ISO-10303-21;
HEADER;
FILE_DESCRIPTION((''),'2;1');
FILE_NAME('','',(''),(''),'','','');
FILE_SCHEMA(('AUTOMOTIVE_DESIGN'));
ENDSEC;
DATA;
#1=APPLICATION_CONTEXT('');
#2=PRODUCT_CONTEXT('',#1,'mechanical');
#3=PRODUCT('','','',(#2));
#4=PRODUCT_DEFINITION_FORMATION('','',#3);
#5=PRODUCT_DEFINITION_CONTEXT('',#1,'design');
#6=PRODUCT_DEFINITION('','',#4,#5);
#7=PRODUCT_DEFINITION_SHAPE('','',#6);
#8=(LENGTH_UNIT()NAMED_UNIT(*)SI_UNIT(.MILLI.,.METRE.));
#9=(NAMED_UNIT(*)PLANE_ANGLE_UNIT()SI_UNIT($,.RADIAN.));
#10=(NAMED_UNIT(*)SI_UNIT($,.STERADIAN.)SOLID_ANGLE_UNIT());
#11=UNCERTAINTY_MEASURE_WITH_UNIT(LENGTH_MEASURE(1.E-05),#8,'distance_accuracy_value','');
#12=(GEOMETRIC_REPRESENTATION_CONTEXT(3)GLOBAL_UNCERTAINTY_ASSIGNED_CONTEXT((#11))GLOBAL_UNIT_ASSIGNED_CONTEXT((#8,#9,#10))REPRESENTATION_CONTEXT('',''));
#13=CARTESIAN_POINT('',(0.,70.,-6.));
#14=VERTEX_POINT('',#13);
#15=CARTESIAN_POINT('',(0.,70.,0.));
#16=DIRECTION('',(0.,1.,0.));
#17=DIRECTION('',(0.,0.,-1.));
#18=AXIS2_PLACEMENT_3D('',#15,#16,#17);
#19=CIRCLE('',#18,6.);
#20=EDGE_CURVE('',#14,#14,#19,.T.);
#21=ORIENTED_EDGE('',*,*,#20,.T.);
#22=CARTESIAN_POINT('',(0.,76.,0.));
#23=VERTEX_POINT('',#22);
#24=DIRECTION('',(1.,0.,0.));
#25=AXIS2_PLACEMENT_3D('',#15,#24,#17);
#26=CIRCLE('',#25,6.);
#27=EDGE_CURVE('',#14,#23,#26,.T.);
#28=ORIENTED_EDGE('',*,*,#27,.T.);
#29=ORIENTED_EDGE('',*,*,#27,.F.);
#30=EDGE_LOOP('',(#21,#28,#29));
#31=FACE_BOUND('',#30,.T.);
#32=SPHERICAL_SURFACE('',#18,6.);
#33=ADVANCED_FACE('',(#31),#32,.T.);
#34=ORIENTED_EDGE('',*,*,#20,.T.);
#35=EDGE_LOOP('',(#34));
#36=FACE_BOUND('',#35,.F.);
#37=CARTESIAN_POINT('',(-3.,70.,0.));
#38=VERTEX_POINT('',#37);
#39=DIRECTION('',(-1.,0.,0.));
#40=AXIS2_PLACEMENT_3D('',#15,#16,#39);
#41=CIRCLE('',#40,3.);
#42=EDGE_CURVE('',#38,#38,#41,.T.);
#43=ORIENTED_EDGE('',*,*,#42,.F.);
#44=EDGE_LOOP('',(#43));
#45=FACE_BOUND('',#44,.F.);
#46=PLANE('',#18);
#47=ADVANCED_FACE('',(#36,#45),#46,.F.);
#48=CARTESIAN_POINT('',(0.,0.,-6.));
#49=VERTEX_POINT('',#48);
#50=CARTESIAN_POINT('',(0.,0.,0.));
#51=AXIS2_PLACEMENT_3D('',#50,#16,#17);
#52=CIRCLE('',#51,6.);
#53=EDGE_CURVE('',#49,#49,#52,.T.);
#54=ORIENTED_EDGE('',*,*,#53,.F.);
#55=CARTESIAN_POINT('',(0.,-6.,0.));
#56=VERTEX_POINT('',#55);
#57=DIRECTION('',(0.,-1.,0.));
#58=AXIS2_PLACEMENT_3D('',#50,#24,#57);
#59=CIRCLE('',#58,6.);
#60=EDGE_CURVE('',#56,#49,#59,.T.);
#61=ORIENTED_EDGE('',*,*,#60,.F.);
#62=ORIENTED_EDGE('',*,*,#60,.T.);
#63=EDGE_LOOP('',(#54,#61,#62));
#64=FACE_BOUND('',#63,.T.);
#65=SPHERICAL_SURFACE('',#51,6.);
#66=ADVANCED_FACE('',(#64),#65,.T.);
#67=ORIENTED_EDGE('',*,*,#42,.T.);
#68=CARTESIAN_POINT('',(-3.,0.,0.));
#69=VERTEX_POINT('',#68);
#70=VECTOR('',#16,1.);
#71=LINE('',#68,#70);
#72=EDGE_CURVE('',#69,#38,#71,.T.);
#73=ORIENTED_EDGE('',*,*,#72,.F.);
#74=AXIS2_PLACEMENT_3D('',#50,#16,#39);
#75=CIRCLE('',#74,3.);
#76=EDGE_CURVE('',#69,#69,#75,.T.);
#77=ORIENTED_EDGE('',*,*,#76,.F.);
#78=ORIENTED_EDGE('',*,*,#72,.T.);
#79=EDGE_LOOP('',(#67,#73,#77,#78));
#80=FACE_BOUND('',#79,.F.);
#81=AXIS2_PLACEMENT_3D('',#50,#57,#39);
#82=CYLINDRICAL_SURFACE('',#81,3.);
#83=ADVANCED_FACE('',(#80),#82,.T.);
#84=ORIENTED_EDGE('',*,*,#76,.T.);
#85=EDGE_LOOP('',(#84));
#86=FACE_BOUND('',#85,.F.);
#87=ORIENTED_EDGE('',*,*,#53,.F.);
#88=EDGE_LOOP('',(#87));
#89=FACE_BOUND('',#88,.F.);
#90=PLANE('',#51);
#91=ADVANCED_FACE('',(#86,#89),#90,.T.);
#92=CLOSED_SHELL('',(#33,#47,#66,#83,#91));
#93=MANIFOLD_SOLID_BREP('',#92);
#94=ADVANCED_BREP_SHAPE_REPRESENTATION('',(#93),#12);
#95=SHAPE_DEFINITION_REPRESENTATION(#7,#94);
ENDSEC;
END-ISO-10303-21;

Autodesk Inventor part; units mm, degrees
ref_plane "YZ Plane" through (0, 0, 0) normal (1, 0, 0) x (0, 1, 0)
ref_plane "XZ Plane" through (0, 0, 0) normal (0, 1, 0) x (-1, 0, 0)
ref_plane "XY Plane" through (0, 0, 0) normal (0, 0, 1) x (1, 0, 0)
sketch "Sketch1" plane through (0, 0, 0) normal (0, 1, 0) x (-1, 0, 0)
  circle A0 centre (0, 0) radius 3
  dimension "d0" = 6
extrude "Extrusion1" add sketch "Sketch1" along normal blind 70
sketch "Sketch2" plane through (0, 70, 0) normal (0, 1, 0) x (1, 0, 0)
  point P0 (0, 0)
sketch "Sketch3" plane through (0, 0, 0) normal (1, 0, 0) x (0, 1, 0)
  line L0 (0, 0) -> (0, -9)
  line L1 (0, -3) -> (0, 3) projected
  line L2 (0, 0) -> (-9, 0)
  arc A0 (-9, 0) -> (0, -9) centre (0, 0) ccw
  line L3 (70, -3) -> (70, 3) projected
  arc A1 (70, -9) -> (79, 0) centre (70, 0) ccw
  line L4 (79, 0) -> (70, 0)
  line L5 (70, -9) -> (70, 0)
  dimension "d3" = 9
  dimension "d4" = 9
  dimension "d5" = 9
revolve "Revolution1" add sketch "Sketch3" angle 360 about axis through (0, 79, 0) along (0, -1, 0)
sketch "Sketch4" plane through (0, 0, 0) normal (1, 0, 0) x (0, 1, 0)
  line L0 (0, -10.1336) -> (-13.8396, -10.1336)
  line L1 (-13.8396, -10.1336) -> (-13.8396, 13.3764)
  line L2 (-13.8396, 13.3764) -> (0, 13.3764)
  line L3 (0, 13.3764) -> (0, -10.1336)
  line L4 (70, 9) -> (70, -9) projected
  line L5 (70, -9) -> (70, 12.4499)
  line L6 (70, 12.4499) -> (83.9063, 12.4499)
  line L7 (83.9063, 12.4499) -> (83.9063, -12.3341)
  line L8 (83.9063, -12.3341) -> (70, -9)
  point P0 (0, 0)
extrude "Extrusion2" cut sketch "Sketch4" along normal mid plane 20
sketch "Sketch5" plane through (0, 0, 0) normal (1, 0, 0) x (0, 1, 0)
  line L0 (0, 0) -> (0, -6)
  line L1 (0, -3) -> (0, 3) projected
  line L2 (0, 0) -> (-6, 0)
  arc A0 (-6, 0) -> (0, -6) centre (0, 0) ccw
  line L3 (70, -3) -> (70, 3) projected
  line L4 (70, 0) -> (76, 0)
  line L5 (70, 0) -> (70, -6)
  arc A1 (70, -6) -> (76, 0) centre (70, 0) ccw
  dimension "d9" = 6
  dimension "d10" = 6
  dimension "d11" = 6
  dimension "d12" = 6
revolve "Revolution2" add sketch "Sketch5" angle 360 about axis through (0, 70, 0) along (0, 1, 0)
properties part number "Pino da dobradiça"
